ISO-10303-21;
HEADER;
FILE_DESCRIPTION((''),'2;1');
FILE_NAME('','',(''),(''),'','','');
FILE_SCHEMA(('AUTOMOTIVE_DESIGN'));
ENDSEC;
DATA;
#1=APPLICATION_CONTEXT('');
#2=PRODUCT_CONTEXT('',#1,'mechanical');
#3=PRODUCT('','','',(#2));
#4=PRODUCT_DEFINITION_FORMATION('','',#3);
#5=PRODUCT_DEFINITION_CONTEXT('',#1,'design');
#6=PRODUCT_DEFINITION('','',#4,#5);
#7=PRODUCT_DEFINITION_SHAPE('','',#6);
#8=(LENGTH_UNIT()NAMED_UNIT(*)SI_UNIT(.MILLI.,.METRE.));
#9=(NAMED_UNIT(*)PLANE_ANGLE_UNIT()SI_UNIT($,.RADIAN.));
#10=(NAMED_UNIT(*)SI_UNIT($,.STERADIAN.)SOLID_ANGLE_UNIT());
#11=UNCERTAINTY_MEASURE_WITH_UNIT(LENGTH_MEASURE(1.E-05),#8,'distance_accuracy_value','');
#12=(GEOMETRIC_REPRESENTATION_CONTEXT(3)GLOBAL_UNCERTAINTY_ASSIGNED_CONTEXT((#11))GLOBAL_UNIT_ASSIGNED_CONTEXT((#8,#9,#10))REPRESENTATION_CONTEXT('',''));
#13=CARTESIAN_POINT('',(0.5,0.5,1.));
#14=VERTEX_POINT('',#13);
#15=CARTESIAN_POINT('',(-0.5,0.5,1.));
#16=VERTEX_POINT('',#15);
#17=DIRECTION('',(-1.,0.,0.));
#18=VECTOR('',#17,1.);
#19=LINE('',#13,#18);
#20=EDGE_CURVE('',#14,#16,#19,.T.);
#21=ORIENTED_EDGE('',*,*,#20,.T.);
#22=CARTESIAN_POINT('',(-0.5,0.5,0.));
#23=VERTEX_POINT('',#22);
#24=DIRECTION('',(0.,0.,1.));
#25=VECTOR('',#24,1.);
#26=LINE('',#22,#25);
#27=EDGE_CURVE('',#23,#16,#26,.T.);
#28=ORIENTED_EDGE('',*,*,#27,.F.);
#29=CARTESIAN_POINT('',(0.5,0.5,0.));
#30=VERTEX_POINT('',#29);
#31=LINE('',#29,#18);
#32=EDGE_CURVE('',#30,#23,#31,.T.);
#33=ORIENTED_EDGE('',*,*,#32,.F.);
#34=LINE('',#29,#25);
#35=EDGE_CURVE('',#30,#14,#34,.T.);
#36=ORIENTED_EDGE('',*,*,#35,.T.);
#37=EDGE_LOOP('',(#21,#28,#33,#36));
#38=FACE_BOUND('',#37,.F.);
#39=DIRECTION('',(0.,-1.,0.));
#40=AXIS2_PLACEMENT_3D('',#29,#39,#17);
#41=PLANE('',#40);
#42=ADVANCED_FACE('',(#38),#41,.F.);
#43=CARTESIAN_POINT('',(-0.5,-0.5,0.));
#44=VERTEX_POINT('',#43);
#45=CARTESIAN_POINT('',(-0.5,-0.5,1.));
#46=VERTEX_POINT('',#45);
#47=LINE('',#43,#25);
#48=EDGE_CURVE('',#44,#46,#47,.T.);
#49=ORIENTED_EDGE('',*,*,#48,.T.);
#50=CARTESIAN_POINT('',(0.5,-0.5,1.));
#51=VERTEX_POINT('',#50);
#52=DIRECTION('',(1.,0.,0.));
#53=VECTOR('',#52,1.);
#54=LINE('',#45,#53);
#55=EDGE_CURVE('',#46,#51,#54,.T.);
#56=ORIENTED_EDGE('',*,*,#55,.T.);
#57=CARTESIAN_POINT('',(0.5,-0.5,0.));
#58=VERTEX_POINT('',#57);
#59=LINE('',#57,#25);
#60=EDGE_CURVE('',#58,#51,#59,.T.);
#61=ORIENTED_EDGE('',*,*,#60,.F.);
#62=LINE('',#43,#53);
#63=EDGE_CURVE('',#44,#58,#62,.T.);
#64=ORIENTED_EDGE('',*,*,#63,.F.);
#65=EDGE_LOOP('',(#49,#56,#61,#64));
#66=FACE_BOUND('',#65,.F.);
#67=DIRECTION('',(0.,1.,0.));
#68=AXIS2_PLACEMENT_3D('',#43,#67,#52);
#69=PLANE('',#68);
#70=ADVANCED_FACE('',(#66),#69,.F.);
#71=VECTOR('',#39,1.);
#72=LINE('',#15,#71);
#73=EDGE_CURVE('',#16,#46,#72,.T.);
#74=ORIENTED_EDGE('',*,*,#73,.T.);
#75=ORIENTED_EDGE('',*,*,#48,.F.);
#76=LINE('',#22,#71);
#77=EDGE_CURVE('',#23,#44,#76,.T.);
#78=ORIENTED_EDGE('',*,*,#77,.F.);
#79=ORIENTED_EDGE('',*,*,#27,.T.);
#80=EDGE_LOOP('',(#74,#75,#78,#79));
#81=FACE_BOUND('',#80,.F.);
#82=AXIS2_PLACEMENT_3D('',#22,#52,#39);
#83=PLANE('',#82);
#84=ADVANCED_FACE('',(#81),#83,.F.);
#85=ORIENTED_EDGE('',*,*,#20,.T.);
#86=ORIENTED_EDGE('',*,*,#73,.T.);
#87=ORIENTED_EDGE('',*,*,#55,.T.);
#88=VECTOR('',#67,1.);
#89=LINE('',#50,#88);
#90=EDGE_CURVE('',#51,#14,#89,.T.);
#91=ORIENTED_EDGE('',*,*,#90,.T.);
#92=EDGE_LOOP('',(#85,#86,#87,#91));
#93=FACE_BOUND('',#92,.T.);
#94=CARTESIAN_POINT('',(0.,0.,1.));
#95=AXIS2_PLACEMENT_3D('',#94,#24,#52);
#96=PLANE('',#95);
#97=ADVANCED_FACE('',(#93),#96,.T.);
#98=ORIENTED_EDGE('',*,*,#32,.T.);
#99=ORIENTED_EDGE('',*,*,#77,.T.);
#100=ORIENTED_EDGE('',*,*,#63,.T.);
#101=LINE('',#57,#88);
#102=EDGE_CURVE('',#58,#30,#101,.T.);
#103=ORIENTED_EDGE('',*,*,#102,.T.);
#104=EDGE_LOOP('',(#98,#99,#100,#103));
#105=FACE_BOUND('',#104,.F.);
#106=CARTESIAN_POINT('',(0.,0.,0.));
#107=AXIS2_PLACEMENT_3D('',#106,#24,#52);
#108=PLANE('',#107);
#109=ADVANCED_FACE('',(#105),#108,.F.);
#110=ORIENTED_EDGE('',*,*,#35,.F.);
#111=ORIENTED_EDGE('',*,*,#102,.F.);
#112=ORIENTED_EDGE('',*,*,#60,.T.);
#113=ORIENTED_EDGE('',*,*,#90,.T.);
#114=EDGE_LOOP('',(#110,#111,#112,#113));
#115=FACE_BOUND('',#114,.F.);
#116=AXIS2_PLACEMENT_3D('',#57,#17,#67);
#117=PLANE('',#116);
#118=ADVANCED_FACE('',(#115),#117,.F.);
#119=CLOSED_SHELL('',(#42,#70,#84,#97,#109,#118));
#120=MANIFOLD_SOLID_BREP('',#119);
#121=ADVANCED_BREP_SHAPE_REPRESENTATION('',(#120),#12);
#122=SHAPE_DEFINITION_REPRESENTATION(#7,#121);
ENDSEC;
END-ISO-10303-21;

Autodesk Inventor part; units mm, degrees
ref_plane "YZ Plane" through (0, 0, 0) normal (1, 0, 0) x (0, 1, 0)
ref_plane "XZ Plane" through (0, 0, 0) normal (0, 1, 0) x (-1, 0, 0)
ref_plane "XY Plane" through (0, 0, 0) normal (0, 0, 1) x (1, 0, 0)
sketch "Skizze1" plane through (0, 0, 0) normal (0, 0, 1) x (1, 0, 0)
  line L0 (-0.5, -0.5) -> (0.5, -0.5)
  line L1 (0.5, -0.5) -> (0.5, 0.5)
  line L2 (0.5, 0.5) -> (-0.5, 0.5)
  line L3 (-0.5, 0.5) -> (-0.5, -0.5)
  line L4 (-0.5, -0.5) -> (0.5, 0.5) construction
  line L5 (0.5, -0.5) -> (-0.5, 0.5) construction
  point P0 (0, 0)
  dimension "d0" = 1
  dimension "d1" = 1
extrude "Extrusion1" add sketch "Skizze1" along normal blind 1
properties part number "2_Step"
